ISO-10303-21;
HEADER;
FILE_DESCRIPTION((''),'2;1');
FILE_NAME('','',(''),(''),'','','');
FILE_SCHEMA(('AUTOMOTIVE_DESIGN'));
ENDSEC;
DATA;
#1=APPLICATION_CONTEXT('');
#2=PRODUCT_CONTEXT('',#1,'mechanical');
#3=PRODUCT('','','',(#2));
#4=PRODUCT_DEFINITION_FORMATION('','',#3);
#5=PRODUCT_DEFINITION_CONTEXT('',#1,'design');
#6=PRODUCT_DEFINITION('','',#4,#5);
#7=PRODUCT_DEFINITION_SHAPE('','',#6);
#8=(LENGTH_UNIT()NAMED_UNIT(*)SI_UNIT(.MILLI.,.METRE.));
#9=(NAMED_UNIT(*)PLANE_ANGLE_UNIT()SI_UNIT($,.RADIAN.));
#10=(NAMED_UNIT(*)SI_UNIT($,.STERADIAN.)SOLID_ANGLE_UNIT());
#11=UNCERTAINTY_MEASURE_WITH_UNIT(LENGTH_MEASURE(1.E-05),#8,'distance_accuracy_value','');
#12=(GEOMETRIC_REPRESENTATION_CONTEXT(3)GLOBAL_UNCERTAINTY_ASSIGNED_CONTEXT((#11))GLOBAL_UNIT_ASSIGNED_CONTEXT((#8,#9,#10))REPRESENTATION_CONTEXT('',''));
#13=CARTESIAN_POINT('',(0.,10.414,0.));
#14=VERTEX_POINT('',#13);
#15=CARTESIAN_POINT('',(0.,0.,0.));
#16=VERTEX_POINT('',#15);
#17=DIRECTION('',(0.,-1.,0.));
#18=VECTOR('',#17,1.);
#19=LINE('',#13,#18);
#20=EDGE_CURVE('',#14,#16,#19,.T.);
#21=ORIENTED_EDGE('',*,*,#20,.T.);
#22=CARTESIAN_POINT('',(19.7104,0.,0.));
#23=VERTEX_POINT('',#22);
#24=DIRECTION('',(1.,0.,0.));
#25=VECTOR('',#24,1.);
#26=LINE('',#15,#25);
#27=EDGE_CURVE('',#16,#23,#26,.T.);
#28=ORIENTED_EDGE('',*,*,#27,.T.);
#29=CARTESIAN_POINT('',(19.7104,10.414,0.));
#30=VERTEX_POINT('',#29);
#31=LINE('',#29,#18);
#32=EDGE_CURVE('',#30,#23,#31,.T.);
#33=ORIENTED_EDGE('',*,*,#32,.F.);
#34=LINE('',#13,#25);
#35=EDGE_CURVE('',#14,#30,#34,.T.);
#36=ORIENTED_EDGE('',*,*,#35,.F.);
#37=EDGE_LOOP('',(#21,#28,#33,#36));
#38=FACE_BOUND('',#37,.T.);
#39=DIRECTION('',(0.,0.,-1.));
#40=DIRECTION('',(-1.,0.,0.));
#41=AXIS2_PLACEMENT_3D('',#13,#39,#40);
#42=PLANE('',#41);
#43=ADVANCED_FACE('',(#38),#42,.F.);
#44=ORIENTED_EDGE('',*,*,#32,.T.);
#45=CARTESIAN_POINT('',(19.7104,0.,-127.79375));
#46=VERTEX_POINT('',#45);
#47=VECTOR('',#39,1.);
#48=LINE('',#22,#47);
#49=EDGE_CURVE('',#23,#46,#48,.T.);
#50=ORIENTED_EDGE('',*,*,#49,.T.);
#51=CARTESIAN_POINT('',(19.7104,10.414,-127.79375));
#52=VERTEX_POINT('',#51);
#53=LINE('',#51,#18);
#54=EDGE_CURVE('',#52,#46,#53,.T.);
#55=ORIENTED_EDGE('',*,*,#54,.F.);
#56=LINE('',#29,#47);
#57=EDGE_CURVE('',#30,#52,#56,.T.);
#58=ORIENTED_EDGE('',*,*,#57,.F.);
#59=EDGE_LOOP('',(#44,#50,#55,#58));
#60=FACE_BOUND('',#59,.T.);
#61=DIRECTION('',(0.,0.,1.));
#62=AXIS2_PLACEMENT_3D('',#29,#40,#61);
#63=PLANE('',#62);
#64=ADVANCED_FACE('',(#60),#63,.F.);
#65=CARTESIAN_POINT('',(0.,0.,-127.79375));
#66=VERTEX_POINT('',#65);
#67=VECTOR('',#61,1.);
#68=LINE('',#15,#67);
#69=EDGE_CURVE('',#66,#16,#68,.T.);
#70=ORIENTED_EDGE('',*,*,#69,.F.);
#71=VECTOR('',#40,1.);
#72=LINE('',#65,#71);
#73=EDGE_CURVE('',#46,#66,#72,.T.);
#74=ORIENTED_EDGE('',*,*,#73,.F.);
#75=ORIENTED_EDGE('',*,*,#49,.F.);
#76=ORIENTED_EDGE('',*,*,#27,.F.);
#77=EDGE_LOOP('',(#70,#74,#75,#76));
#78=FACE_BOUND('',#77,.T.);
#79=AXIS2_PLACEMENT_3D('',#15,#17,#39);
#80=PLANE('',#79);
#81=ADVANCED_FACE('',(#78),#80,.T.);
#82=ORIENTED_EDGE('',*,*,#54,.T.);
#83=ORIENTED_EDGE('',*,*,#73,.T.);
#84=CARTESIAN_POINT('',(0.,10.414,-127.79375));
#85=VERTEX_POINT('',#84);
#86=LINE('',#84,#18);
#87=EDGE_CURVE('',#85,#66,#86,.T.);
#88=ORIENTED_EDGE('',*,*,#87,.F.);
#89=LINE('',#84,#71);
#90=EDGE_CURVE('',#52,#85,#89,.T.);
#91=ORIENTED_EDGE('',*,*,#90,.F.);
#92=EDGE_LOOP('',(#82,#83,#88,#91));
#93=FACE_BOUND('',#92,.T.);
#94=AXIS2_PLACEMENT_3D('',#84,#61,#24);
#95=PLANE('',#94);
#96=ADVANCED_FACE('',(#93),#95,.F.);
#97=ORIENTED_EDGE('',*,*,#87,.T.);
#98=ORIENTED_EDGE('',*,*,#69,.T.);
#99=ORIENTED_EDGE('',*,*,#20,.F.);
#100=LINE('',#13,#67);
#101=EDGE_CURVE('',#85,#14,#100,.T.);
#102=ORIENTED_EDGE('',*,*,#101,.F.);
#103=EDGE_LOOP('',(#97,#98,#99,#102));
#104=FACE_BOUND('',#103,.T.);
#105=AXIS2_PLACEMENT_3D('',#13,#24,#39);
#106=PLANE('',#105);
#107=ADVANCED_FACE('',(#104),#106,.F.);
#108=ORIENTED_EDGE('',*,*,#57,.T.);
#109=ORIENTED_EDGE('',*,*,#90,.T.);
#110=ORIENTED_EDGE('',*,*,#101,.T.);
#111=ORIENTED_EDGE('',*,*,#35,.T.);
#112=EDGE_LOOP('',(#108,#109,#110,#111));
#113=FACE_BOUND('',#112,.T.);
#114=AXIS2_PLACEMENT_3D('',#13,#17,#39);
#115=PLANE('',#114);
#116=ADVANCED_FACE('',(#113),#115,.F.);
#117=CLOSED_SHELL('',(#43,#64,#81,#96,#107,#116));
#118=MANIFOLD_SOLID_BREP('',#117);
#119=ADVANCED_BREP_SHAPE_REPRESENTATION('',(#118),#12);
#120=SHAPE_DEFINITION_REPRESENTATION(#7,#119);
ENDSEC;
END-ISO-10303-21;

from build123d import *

# Parameters (mm, degrees)
SKETCH1_W           = 19.7104
SKETCH1_H           = 127.79375
BOSS_EXTRUDE1_DEPTH = 10.414


with BuildPart() as part:
    # Sketch1 → Boss-Extrude1 (new body)
    with BuildSketch(Plane(origin=(0, 0, 0), x_dir=(1, 0, 0), z_dir=(0, 1, 0))):
        with Locations((9.8552, 63.896875)):
            Rectangle(SKETCH1_W, SKETCH1_H)
    extrude(amount=BOSS_EXTRUDE1_DEPTH)


solid = part.part
